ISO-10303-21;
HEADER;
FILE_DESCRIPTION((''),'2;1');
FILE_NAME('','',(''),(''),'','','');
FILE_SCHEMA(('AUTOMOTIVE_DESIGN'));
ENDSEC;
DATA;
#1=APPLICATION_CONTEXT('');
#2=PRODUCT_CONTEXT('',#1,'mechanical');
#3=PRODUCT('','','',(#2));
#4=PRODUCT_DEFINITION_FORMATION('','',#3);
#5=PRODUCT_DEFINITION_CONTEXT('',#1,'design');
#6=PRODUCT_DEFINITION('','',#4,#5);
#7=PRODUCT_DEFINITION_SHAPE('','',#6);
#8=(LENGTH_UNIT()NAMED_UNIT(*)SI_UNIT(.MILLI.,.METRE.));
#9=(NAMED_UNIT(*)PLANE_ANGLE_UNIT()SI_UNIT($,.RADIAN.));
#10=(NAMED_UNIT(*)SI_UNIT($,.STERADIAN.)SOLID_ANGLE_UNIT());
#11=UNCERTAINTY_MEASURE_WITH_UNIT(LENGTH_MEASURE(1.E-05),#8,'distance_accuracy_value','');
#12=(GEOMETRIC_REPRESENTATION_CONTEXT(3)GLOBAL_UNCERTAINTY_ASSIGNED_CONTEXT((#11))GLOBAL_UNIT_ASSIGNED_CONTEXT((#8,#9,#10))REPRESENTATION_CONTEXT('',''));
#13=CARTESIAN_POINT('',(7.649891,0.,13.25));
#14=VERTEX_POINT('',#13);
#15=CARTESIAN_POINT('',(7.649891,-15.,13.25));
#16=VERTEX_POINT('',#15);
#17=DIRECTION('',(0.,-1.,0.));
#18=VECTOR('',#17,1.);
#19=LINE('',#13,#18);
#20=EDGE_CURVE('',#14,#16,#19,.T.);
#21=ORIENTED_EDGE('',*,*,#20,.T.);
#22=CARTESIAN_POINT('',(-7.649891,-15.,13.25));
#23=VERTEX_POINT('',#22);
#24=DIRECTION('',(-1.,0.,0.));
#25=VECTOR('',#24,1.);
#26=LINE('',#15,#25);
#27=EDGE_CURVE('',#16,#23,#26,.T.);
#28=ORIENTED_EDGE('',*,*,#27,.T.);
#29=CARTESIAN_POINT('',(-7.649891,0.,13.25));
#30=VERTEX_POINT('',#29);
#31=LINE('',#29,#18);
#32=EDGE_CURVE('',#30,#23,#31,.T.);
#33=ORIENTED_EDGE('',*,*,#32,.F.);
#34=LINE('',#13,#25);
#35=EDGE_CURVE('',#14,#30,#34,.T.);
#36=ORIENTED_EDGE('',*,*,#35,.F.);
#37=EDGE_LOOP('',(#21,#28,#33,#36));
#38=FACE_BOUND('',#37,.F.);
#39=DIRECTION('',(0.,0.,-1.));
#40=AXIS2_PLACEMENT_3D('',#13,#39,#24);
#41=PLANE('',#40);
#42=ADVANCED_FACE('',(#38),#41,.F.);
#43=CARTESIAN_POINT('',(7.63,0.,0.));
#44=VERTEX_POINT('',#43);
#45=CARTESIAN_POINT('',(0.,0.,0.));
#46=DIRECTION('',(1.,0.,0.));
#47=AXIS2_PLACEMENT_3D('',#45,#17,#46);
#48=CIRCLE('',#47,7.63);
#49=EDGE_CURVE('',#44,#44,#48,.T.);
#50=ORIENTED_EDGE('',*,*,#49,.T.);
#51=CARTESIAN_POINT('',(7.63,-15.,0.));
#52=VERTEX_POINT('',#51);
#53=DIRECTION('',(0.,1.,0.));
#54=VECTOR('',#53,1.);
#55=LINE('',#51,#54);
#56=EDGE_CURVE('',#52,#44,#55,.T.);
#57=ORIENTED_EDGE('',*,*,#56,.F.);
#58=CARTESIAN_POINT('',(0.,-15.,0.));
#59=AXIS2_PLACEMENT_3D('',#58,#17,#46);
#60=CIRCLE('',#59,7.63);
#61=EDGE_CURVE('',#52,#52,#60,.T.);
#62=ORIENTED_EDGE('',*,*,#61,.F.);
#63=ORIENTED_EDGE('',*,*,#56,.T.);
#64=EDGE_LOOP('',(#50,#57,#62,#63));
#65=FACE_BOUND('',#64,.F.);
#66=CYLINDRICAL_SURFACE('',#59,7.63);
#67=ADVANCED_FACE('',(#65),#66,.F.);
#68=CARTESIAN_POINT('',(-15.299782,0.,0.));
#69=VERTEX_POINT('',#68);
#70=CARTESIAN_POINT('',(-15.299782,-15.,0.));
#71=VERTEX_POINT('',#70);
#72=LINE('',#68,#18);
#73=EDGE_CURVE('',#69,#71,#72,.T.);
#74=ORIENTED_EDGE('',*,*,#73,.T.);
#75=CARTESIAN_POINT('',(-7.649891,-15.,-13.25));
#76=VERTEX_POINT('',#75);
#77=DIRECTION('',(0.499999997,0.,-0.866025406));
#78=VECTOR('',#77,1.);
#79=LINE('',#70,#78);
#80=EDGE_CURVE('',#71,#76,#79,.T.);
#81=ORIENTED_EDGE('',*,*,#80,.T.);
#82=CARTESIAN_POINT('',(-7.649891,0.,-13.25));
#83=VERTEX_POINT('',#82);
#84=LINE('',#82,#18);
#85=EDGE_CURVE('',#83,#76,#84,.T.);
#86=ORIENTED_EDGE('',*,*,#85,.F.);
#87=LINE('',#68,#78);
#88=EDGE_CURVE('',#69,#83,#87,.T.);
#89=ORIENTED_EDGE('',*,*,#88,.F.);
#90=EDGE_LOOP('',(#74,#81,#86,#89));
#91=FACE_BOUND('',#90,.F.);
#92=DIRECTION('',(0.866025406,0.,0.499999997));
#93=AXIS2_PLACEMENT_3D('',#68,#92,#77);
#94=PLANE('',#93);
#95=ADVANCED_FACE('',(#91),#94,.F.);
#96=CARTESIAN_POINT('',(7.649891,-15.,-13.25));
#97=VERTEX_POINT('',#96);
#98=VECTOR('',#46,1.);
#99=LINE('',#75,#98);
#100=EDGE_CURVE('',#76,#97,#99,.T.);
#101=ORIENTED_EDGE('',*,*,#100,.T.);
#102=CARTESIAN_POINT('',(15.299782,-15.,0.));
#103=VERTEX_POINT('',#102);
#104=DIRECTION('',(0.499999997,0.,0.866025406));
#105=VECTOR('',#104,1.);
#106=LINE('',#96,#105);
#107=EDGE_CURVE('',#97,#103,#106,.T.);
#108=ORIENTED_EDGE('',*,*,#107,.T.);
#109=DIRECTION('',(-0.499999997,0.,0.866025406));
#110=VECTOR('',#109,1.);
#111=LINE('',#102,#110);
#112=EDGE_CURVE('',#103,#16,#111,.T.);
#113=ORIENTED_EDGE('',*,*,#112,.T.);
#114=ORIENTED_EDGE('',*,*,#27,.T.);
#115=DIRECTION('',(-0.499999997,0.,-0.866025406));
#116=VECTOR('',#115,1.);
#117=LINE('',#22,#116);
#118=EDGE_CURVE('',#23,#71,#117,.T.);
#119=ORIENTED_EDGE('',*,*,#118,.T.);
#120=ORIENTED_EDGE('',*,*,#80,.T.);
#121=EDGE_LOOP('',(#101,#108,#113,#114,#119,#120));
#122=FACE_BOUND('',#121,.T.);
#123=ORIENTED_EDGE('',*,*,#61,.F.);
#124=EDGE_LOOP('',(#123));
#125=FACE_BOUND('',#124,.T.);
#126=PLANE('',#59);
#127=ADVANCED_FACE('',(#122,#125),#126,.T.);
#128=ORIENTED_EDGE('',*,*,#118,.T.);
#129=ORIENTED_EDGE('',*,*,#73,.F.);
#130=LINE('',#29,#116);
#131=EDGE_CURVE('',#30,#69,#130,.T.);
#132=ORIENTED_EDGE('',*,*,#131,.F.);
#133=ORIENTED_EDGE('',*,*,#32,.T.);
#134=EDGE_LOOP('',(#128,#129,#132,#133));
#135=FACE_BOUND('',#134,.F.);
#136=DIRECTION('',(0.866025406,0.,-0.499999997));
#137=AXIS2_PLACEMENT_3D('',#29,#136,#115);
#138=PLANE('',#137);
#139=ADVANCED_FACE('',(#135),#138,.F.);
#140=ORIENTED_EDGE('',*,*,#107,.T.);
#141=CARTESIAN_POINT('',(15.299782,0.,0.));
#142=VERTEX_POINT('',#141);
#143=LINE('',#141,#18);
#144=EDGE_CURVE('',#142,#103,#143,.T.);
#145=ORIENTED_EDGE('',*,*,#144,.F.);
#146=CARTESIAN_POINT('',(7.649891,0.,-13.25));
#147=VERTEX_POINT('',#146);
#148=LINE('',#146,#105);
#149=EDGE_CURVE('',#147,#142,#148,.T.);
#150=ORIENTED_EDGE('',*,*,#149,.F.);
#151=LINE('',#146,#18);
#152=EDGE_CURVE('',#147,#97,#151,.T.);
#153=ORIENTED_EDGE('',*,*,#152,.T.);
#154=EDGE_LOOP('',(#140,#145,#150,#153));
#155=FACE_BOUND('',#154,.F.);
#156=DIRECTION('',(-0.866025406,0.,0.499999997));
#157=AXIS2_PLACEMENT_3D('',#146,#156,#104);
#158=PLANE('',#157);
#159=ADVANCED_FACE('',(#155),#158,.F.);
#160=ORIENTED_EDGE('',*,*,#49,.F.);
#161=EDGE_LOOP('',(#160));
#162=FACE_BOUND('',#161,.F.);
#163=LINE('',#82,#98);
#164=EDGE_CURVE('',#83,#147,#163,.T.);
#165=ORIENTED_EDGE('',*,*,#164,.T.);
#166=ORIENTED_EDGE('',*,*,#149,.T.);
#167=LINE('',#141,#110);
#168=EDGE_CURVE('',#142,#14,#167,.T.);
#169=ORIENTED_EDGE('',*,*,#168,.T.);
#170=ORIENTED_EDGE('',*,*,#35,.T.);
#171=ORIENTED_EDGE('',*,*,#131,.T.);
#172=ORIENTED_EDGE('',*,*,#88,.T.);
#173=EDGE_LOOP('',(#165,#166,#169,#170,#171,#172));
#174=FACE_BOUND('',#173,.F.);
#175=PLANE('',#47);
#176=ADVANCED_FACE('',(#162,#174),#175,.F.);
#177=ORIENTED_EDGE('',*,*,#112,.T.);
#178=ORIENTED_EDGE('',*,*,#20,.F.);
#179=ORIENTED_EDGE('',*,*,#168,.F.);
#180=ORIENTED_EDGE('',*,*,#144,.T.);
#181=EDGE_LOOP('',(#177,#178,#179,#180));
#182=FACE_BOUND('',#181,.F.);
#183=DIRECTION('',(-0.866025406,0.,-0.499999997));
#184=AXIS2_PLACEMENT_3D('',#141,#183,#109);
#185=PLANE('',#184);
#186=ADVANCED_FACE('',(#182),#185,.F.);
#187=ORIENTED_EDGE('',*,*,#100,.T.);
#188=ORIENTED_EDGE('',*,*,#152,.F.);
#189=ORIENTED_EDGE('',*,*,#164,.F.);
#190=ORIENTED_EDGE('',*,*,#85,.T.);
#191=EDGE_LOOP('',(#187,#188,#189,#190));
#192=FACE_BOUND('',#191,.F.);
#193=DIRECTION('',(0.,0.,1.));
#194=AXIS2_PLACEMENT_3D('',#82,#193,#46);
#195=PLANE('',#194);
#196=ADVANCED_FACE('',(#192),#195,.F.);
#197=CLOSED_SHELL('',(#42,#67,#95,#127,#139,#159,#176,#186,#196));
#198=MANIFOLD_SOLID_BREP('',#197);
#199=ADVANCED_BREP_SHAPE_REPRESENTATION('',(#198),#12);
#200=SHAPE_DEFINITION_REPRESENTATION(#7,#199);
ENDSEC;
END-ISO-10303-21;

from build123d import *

# Parameters (mm, degrees)
F1_DEPTH = 15
F2_R     = 7.63
F3_DEPTH = 15.001


with BuildPart() as f1:
    # F0 (on Front) → F1 (new body)
    with BuildSketch(Plane.XZ):
        Polygon((7.649891, 13.25), (-7.649891, 13.25), (-15.299782, 0), (-7.649891, -13.25), (7.649891, -13.25), (15.299782, 0), align=None)
    extrude(amount=F1_DEPTH)

    # F2 (on face) → F3 (cut, through all)
    with BuildSketch(Plane.XZ.offset(15)):
        Circle(F2_R)
    extrude(amount=-F3_DEPTH, mode=Mode.SUBTRACT)


solid = f1.part
